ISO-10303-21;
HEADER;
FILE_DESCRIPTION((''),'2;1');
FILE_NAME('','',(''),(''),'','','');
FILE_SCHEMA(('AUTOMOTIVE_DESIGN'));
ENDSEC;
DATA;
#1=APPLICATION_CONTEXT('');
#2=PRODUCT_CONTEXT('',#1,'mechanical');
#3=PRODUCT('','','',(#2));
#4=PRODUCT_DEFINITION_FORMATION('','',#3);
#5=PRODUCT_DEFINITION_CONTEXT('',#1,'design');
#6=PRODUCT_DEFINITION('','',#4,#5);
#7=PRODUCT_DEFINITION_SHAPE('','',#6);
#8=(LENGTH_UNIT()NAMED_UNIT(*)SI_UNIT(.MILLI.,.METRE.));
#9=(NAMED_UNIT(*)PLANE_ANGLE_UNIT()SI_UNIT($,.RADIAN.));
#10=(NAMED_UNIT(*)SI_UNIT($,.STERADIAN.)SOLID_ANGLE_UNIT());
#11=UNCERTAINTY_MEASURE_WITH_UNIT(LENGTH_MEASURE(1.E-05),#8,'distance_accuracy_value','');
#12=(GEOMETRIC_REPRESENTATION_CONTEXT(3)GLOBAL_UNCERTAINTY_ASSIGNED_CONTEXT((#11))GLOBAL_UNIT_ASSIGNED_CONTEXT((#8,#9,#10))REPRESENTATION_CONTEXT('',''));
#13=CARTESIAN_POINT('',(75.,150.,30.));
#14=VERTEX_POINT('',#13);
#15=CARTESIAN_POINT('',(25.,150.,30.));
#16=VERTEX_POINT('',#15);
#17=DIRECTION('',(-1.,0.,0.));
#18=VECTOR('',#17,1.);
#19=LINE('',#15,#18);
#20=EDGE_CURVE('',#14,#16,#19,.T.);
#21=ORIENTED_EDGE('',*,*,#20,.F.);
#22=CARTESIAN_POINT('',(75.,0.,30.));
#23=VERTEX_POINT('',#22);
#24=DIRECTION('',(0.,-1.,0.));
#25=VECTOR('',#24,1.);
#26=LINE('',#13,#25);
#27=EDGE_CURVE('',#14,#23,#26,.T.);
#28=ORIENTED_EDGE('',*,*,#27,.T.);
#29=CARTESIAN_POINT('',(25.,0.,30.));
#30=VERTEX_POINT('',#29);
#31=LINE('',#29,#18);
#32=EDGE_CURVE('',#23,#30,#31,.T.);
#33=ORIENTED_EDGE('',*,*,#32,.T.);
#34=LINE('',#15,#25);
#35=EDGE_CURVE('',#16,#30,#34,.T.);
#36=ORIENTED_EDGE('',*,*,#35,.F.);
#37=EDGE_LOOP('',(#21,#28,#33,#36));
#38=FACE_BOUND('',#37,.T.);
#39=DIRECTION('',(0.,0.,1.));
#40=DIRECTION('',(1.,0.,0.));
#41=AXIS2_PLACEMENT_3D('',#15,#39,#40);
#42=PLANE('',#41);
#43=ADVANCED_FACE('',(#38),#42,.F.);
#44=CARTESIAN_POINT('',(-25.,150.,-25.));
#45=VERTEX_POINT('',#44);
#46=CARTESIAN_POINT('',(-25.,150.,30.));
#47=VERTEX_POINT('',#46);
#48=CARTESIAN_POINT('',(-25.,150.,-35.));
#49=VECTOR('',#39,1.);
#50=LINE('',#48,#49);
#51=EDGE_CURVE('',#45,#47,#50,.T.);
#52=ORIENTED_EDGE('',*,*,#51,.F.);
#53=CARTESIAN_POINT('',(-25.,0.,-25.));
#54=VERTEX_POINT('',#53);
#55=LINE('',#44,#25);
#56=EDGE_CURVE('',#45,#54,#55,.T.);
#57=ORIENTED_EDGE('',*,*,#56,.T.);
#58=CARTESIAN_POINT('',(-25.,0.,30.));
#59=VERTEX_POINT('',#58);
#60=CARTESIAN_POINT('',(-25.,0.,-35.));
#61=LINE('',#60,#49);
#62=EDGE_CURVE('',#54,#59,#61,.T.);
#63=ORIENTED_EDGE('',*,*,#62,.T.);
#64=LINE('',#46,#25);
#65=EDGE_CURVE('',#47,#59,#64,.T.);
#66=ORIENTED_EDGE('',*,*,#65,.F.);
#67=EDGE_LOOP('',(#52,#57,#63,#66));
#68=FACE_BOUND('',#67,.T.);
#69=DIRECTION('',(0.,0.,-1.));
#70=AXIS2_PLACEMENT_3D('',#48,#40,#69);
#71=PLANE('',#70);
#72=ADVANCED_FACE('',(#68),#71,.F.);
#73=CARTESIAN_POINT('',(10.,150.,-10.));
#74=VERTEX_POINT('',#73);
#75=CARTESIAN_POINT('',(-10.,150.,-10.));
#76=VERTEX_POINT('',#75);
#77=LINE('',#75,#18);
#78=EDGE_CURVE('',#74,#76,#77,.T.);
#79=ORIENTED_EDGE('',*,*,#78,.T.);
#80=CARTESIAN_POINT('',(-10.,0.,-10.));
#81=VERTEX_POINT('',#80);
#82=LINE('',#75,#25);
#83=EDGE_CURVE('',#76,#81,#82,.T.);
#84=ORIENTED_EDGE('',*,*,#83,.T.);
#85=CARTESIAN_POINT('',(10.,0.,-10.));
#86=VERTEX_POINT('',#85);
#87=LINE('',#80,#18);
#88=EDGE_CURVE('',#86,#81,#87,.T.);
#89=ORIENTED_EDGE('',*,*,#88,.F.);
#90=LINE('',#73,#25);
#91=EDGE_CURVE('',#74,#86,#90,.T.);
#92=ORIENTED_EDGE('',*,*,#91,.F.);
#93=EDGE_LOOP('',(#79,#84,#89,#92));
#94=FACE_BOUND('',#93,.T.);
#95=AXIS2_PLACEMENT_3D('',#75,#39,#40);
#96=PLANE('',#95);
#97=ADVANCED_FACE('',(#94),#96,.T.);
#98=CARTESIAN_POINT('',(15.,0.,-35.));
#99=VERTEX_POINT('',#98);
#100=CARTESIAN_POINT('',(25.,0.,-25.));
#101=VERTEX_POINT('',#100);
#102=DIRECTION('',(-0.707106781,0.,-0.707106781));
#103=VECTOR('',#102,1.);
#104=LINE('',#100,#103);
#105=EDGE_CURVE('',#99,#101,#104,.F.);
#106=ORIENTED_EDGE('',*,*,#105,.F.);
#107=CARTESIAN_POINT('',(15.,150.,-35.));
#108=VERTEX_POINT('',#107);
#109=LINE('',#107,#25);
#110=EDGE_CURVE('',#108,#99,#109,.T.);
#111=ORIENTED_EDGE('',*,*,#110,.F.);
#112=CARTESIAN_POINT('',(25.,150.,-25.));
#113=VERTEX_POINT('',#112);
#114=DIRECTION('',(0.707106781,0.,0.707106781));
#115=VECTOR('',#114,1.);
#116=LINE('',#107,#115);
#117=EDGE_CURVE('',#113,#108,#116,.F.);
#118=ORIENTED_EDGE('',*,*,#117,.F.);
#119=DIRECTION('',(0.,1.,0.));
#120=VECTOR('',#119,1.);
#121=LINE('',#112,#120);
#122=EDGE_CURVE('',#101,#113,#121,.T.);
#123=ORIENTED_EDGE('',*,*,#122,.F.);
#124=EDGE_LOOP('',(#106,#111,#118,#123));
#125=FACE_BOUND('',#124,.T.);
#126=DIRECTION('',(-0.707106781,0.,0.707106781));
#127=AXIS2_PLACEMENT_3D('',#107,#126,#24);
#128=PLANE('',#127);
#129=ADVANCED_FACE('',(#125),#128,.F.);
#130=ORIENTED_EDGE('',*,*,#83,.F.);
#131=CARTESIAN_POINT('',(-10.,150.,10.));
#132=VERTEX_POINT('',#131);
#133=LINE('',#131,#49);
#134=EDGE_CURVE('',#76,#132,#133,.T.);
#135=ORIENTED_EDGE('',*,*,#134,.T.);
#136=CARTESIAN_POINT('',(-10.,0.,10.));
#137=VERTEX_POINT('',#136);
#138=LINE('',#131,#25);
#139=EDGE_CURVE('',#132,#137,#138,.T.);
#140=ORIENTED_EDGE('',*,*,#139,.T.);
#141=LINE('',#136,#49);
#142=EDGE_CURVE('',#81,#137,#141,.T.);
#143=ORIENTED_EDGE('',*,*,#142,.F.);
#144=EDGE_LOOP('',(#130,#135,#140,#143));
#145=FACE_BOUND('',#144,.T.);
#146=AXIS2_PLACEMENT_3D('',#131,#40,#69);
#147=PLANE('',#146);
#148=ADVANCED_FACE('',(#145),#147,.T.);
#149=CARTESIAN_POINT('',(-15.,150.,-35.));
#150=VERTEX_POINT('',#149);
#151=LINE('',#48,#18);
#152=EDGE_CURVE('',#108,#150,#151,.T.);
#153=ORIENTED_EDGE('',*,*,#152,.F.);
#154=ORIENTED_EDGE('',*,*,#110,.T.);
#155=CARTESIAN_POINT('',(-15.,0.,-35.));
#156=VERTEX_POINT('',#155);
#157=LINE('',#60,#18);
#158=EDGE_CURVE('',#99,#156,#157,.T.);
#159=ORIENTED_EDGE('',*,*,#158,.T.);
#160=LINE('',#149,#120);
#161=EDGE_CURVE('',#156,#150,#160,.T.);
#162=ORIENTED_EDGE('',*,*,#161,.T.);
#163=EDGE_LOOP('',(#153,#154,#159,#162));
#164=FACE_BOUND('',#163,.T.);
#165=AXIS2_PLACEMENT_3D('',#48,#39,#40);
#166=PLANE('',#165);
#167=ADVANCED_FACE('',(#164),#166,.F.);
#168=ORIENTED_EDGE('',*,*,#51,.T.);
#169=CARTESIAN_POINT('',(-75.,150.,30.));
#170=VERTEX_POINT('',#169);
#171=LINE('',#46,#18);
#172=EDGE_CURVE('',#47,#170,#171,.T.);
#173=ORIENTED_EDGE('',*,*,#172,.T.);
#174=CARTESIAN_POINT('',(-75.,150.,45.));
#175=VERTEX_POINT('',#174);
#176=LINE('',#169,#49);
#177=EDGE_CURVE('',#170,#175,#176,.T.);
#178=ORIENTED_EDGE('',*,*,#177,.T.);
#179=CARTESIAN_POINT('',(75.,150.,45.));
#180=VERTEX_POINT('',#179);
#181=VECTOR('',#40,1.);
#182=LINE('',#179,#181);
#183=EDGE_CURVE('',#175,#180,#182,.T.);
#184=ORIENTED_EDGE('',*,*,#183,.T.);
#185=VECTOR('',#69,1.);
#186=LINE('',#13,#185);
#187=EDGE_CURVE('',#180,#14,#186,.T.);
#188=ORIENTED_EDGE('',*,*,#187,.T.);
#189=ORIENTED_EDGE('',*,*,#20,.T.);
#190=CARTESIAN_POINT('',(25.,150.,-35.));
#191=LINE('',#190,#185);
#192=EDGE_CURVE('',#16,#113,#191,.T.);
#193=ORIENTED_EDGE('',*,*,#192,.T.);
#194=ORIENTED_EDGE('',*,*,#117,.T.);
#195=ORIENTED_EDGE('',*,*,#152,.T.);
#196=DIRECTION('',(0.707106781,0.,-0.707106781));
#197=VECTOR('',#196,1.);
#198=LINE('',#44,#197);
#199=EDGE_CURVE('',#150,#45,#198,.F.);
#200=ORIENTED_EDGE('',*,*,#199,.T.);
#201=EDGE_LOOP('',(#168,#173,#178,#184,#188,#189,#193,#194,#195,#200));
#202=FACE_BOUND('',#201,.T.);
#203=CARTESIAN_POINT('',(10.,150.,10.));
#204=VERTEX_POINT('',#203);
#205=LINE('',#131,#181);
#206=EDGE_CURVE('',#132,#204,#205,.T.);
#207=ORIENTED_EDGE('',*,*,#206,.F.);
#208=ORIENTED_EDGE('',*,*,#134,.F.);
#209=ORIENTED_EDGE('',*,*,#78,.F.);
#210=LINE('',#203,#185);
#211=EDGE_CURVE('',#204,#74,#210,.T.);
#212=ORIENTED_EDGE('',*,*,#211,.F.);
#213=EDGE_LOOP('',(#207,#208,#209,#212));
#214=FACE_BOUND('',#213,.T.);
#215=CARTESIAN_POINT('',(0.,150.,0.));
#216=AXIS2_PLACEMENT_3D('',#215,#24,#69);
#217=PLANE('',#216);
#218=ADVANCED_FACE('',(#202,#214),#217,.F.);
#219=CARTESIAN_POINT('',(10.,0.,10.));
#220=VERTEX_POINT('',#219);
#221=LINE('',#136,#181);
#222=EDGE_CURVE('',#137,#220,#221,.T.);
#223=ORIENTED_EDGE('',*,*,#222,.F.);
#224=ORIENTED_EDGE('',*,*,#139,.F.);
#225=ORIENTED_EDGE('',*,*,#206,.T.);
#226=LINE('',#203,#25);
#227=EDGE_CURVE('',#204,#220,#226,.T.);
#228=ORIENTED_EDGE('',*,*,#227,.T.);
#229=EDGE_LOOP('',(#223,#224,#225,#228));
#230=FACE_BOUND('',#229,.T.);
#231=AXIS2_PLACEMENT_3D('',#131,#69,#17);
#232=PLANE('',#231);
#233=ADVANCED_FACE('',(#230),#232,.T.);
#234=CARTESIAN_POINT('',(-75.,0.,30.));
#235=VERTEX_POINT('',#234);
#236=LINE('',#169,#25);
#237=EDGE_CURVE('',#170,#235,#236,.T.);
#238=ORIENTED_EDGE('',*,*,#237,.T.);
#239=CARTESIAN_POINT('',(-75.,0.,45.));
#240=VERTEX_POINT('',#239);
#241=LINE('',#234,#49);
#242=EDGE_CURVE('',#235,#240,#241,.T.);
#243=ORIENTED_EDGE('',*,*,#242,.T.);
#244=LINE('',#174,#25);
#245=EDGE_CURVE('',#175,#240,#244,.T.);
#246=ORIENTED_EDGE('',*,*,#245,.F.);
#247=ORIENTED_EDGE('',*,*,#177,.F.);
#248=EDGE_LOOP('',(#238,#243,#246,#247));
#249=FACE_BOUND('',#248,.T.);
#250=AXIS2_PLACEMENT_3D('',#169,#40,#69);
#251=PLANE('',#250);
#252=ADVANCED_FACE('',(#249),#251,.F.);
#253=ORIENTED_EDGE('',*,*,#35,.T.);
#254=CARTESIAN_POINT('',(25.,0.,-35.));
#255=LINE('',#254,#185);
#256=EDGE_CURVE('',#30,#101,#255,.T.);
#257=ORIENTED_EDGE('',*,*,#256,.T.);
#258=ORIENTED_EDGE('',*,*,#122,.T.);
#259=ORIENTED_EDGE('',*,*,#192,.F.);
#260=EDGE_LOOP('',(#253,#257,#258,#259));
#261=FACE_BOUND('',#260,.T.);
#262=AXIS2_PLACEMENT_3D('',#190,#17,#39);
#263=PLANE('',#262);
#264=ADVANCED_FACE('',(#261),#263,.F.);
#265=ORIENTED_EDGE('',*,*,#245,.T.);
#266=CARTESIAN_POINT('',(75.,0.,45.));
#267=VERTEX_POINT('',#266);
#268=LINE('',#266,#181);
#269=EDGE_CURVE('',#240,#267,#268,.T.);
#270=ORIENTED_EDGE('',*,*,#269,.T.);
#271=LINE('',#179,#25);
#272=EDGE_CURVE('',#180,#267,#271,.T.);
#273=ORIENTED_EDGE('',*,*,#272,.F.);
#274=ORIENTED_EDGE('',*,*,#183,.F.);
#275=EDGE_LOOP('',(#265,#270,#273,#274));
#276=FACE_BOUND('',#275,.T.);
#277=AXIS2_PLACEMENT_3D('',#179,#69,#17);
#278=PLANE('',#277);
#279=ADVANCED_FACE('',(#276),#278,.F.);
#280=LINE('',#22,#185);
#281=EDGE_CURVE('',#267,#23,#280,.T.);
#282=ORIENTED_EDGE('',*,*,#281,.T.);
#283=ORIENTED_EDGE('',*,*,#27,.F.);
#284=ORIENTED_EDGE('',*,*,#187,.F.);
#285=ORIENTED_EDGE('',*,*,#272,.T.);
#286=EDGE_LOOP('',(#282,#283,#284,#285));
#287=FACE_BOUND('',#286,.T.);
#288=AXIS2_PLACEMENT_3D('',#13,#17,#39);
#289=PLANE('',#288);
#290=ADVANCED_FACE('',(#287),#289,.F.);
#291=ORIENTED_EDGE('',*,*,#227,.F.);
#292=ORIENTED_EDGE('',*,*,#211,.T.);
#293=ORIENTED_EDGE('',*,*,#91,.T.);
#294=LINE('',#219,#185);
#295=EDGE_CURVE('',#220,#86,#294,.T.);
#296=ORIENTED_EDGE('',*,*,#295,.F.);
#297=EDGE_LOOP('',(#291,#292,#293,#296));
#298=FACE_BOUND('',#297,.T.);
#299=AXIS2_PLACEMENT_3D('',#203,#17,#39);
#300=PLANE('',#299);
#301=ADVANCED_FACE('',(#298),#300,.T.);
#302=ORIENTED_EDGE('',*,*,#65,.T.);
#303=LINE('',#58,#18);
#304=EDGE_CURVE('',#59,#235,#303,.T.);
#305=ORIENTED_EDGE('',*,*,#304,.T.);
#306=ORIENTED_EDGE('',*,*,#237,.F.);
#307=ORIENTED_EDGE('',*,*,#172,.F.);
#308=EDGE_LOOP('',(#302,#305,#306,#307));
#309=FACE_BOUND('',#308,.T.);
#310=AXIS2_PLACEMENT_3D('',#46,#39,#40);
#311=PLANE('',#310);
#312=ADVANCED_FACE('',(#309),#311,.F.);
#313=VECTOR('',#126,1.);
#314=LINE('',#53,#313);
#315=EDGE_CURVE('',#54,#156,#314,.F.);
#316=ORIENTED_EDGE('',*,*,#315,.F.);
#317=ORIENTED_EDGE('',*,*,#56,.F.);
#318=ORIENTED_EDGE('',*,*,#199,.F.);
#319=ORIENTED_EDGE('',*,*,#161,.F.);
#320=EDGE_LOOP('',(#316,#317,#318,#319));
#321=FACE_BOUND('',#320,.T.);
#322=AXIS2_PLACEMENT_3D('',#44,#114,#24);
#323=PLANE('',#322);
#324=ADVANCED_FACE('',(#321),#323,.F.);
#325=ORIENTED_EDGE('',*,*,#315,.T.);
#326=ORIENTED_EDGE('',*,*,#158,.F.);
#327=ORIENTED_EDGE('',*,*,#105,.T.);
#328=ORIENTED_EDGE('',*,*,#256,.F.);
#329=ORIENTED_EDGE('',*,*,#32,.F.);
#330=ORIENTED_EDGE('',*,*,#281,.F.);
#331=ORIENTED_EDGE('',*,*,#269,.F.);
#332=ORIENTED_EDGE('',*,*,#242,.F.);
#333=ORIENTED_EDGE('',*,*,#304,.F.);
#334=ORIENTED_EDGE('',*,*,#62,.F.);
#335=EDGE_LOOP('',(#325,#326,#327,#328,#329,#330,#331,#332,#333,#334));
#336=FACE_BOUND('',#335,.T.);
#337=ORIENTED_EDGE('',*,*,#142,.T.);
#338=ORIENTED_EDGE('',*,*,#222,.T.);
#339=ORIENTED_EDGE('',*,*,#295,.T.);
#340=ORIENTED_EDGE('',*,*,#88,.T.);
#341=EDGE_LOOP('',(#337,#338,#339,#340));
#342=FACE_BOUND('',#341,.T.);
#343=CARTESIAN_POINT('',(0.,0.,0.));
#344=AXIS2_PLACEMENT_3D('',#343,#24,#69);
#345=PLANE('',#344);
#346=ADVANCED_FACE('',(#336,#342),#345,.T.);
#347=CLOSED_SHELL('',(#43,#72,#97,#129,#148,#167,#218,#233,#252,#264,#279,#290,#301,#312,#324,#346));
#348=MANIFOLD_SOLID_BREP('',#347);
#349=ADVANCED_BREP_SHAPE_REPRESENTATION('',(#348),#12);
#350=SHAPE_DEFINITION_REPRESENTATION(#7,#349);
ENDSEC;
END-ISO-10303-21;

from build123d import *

# Parameters (mm, degrees)
SKETCH1_W           = 20
SKETCH1_H           = 20
BOSS_EXTRUDE1_DEPTH = 150
CHAMFER1_SIZE       = 10


with BuildPart() as part:
    # Sketch1 → Boss-Extrude1 (new body)
    with BuildSketch(Plane(origin=(0, 0, 0), x_dir=(1, 0, 0), z_dir=(0, 1, 0))):
        Polygon((-25, 35), (25, 35), (25, -30), (75, -30), (75, -45), (-75, -45), (-75, -30), (-25, -30), align=None)
        Rectangle(SKETCH1_W, SKETCH1_H, mode=Mode.SUBTRACT)
    extrude(amount=BOSS_EXTRUDE1_DEPTH)

    # Chamfer1
    chamfer1_edges = [part.edges().sort_by_distance(p)[0] for p in [
        (-25, 75, -35),
        (25, 75, -35),
    ]]
    chamfer(chamfer1_edges, length=CHAMFER1_SIZE)


solid = part.part
